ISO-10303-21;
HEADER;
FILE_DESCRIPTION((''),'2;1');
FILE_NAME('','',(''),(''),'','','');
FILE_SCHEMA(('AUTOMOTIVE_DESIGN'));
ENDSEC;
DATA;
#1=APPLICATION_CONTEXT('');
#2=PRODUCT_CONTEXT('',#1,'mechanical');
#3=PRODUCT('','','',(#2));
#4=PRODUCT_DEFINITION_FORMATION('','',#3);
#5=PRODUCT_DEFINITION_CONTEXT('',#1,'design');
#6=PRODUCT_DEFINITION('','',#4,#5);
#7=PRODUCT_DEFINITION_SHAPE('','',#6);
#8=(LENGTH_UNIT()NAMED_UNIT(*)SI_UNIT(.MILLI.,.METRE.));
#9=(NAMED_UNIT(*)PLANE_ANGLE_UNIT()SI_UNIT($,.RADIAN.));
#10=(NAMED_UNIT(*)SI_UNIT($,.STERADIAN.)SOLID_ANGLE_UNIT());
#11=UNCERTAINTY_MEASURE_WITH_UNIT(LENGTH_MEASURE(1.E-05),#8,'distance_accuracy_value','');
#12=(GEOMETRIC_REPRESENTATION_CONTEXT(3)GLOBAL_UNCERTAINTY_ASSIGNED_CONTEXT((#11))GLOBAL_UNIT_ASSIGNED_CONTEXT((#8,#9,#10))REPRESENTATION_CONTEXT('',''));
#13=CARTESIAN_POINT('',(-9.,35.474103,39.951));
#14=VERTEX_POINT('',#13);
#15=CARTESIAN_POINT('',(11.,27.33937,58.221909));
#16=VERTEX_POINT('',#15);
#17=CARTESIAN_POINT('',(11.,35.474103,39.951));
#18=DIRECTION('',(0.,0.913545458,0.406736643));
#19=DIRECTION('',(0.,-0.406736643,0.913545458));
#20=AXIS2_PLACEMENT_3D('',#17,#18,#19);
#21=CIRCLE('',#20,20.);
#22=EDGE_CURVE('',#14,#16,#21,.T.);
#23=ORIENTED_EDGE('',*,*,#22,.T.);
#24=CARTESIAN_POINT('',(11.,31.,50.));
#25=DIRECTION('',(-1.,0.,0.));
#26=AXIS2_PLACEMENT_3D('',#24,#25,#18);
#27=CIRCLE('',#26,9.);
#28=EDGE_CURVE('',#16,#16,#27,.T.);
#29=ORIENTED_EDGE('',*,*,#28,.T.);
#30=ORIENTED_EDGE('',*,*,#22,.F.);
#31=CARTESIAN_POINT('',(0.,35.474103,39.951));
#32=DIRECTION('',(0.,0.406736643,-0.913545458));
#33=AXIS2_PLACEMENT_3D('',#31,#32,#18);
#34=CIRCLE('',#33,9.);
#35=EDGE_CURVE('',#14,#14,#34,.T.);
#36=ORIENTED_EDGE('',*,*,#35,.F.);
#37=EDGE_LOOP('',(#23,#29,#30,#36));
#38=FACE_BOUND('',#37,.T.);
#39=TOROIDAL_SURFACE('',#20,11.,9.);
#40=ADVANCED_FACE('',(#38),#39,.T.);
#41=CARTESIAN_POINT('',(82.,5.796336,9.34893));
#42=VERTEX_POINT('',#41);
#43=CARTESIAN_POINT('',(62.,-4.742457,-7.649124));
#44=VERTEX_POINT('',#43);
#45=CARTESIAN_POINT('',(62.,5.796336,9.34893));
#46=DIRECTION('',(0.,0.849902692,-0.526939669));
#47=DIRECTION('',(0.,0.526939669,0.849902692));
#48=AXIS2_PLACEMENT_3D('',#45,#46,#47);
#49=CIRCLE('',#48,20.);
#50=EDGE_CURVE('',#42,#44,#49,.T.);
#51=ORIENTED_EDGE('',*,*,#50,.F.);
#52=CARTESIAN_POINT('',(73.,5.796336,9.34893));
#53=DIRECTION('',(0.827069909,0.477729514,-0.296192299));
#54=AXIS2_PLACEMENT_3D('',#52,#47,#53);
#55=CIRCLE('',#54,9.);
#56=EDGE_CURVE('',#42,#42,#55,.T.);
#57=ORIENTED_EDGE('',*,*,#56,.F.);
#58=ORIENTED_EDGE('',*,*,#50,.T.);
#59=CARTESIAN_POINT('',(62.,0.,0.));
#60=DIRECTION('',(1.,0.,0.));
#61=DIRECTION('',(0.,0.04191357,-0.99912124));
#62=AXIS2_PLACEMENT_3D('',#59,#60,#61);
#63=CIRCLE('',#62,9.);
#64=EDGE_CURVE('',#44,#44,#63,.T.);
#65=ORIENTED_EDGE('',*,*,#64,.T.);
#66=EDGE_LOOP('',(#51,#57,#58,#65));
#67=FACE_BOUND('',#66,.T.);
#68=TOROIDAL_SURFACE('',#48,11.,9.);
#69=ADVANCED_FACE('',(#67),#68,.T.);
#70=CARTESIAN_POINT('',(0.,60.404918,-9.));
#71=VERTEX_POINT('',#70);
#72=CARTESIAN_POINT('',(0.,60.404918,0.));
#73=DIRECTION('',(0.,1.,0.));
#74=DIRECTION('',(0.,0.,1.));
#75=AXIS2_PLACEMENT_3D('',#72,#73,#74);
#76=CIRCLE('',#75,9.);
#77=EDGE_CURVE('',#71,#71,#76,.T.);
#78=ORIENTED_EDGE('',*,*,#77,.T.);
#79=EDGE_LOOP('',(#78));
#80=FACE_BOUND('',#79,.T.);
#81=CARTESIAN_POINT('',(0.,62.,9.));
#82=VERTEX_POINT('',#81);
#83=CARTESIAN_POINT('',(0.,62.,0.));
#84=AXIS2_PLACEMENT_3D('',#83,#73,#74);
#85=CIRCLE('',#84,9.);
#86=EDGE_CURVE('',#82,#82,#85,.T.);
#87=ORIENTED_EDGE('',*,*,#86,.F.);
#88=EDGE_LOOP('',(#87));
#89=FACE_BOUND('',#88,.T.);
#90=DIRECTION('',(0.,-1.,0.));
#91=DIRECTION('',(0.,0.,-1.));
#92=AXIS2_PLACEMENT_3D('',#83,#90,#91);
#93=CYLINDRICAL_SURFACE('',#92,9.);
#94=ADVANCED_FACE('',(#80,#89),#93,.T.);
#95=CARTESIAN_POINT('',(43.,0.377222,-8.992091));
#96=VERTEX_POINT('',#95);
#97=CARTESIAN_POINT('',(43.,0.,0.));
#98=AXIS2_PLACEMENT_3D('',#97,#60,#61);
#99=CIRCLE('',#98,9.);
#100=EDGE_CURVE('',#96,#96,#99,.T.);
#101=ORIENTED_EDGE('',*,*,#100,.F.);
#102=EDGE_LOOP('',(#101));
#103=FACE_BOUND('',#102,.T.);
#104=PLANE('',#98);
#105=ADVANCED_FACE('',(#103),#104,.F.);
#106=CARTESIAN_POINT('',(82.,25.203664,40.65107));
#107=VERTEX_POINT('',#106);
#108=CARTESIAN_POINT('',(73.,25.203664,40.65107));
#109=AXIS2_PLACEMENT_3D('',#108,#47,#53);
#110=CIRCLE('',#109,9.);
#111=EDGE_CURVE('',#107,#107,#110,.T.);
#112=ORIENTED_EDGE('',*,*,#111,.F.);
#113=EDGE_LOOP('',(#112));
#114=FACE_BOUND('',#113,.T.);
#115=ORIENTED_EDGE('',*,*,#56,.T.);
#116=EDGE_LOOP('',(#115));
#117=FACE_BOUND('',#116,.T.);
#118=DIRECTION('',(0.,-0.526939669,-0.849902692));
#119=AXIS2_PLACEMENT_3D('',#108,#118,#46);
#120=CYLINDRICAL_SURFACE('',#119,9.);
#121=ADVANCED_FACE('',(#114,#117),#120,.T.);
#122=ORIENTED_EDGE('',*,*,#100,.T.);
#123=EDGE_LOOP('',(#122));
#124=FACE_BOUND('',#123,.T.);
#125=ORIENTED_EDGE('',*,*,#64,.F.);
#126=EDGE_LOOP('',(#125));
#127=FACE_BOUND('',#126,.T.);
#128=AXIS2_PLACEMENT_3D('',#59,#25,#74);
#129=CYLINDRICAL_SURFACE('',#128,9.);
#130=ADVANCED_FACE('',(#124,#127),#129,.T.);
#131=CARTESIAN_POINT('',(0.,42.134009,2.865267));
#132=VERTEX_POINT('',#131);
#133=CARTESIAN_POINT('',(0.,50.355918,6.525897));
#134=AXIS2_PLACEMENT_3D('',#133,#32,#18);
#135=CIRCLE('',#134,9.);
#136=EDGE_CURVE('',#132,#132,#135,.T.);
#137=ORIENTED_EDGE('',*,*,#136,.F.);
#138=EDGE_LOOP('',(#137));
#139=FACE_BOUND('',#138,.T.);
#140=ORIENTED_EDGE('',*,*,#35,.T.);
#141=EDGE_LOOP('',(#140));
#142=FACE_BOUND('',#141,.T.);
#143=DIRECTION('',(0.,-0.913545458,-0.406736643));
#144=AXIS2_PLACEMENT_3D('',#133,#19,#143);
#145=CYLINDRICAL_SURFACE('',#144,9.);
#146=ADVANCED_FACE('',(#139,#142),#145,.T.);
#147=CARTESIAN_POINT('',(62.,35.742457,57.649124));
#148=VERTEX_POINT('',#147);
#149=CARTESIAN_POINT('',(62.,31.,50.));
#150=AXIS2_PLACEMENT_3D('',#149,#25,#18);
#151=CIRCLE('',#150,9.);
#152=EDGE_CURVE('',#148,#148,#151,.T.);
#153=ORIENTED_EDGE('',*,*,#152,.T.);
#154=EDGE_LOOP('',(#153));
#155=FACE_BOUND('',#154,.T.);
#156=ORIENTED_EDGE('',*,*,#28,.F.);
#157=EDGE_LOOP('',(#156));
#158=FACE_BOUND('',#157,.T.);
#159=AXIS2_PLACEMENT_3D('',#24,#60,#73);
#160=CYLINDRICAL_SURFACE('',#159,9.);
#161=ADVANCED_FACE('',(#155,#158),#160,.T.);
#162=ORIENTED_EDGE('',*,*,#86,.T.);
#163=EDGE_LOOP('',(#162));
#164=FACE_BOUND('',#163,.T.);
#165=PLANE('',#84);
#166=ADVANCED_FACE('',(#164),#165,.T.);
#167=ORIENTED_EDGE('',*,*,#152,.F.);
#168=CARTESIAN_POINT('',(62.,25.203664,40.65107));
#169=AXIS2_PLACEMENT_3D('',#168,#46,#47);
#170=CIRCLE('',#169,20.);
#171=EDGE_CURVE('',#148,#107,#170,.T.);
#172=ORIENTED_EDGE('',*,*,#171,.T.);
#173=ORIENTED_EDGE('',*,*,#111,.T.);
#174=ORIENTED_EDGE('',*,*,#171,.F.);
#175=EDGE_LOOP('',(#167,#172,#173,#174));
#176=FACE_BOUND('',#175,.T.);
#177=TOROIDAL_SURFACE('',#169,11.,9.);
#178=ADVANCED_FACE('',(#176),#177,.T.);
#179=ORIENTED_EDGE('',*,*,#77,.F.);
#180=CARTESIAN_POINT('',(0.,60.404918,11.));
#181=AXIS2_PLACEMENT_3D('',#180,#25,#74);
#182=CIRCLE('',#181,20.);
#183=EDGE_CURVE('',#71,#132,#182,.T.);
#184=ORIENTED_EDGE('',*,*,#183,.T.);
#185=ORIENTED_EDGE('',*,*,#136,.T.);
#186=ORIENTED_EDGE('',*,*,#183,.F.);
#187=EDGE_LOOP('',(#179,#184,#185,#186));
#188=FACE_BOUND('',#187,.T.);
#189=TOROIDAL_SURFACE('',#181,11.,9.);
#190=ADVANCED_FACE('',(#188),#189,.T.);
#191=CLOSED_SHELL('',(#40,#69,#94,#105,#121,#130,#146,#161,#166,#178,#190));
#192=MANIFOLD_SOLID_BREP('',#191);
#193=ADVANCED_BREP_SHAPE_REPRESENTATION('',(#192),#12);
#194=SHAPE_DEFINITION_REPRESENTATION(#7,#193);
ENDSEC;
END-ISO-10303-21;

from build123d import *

# Parameters (mm, degrees)
SKETCH_8_R = 9


with BuildPart() as part:
    # 扫描5: sweep along a curve in space
    with BuildLine() as sweep_5_path:
        Line((0, 62, 0), (0, 60.404917791, 0))
        ThreePointArc((0, 60.404917791, 0), (0, 54.413888405, 1.774623753), (0, 50.355917757, 6.525896926))
        Line((0, 50.355917757, 6.525896926), (0, 35.474103074, 39.950999966))
        ThreePointArc((0, 35.474103074, 39.950999966), (3.221825407, 32.310434451, 47.056716034), (11, 31, 50))
        Line((11, 31, 50), (62, 31, 50))
        ThreePointArc((62, 31, 50), (69.778174593, 29.302292387, 47.261761914), (73, 25.203663643, 40.651070391))
        Line((73, 25.203663643, 40.651070391), (73, 5.796336357, 9.348929609))
        ThreePointArc((73, 5.796336357, 9.348929609), (69.778174593, 1.697707613, 2.738238086), (62, 0, 0))
        Line((62, 0, 0), (43, 0, 0))
    # 草图8 → 扫描5 (sweep)
    with BuildSketch(Plane(origin=(0, 62, 0), x_dir=(1, 0, 0), z_dir=(0, 1, 0))):
        Circle(SKETCH_8_R)
    sweep(path=sweep_5_path.line)


solid = part.part
